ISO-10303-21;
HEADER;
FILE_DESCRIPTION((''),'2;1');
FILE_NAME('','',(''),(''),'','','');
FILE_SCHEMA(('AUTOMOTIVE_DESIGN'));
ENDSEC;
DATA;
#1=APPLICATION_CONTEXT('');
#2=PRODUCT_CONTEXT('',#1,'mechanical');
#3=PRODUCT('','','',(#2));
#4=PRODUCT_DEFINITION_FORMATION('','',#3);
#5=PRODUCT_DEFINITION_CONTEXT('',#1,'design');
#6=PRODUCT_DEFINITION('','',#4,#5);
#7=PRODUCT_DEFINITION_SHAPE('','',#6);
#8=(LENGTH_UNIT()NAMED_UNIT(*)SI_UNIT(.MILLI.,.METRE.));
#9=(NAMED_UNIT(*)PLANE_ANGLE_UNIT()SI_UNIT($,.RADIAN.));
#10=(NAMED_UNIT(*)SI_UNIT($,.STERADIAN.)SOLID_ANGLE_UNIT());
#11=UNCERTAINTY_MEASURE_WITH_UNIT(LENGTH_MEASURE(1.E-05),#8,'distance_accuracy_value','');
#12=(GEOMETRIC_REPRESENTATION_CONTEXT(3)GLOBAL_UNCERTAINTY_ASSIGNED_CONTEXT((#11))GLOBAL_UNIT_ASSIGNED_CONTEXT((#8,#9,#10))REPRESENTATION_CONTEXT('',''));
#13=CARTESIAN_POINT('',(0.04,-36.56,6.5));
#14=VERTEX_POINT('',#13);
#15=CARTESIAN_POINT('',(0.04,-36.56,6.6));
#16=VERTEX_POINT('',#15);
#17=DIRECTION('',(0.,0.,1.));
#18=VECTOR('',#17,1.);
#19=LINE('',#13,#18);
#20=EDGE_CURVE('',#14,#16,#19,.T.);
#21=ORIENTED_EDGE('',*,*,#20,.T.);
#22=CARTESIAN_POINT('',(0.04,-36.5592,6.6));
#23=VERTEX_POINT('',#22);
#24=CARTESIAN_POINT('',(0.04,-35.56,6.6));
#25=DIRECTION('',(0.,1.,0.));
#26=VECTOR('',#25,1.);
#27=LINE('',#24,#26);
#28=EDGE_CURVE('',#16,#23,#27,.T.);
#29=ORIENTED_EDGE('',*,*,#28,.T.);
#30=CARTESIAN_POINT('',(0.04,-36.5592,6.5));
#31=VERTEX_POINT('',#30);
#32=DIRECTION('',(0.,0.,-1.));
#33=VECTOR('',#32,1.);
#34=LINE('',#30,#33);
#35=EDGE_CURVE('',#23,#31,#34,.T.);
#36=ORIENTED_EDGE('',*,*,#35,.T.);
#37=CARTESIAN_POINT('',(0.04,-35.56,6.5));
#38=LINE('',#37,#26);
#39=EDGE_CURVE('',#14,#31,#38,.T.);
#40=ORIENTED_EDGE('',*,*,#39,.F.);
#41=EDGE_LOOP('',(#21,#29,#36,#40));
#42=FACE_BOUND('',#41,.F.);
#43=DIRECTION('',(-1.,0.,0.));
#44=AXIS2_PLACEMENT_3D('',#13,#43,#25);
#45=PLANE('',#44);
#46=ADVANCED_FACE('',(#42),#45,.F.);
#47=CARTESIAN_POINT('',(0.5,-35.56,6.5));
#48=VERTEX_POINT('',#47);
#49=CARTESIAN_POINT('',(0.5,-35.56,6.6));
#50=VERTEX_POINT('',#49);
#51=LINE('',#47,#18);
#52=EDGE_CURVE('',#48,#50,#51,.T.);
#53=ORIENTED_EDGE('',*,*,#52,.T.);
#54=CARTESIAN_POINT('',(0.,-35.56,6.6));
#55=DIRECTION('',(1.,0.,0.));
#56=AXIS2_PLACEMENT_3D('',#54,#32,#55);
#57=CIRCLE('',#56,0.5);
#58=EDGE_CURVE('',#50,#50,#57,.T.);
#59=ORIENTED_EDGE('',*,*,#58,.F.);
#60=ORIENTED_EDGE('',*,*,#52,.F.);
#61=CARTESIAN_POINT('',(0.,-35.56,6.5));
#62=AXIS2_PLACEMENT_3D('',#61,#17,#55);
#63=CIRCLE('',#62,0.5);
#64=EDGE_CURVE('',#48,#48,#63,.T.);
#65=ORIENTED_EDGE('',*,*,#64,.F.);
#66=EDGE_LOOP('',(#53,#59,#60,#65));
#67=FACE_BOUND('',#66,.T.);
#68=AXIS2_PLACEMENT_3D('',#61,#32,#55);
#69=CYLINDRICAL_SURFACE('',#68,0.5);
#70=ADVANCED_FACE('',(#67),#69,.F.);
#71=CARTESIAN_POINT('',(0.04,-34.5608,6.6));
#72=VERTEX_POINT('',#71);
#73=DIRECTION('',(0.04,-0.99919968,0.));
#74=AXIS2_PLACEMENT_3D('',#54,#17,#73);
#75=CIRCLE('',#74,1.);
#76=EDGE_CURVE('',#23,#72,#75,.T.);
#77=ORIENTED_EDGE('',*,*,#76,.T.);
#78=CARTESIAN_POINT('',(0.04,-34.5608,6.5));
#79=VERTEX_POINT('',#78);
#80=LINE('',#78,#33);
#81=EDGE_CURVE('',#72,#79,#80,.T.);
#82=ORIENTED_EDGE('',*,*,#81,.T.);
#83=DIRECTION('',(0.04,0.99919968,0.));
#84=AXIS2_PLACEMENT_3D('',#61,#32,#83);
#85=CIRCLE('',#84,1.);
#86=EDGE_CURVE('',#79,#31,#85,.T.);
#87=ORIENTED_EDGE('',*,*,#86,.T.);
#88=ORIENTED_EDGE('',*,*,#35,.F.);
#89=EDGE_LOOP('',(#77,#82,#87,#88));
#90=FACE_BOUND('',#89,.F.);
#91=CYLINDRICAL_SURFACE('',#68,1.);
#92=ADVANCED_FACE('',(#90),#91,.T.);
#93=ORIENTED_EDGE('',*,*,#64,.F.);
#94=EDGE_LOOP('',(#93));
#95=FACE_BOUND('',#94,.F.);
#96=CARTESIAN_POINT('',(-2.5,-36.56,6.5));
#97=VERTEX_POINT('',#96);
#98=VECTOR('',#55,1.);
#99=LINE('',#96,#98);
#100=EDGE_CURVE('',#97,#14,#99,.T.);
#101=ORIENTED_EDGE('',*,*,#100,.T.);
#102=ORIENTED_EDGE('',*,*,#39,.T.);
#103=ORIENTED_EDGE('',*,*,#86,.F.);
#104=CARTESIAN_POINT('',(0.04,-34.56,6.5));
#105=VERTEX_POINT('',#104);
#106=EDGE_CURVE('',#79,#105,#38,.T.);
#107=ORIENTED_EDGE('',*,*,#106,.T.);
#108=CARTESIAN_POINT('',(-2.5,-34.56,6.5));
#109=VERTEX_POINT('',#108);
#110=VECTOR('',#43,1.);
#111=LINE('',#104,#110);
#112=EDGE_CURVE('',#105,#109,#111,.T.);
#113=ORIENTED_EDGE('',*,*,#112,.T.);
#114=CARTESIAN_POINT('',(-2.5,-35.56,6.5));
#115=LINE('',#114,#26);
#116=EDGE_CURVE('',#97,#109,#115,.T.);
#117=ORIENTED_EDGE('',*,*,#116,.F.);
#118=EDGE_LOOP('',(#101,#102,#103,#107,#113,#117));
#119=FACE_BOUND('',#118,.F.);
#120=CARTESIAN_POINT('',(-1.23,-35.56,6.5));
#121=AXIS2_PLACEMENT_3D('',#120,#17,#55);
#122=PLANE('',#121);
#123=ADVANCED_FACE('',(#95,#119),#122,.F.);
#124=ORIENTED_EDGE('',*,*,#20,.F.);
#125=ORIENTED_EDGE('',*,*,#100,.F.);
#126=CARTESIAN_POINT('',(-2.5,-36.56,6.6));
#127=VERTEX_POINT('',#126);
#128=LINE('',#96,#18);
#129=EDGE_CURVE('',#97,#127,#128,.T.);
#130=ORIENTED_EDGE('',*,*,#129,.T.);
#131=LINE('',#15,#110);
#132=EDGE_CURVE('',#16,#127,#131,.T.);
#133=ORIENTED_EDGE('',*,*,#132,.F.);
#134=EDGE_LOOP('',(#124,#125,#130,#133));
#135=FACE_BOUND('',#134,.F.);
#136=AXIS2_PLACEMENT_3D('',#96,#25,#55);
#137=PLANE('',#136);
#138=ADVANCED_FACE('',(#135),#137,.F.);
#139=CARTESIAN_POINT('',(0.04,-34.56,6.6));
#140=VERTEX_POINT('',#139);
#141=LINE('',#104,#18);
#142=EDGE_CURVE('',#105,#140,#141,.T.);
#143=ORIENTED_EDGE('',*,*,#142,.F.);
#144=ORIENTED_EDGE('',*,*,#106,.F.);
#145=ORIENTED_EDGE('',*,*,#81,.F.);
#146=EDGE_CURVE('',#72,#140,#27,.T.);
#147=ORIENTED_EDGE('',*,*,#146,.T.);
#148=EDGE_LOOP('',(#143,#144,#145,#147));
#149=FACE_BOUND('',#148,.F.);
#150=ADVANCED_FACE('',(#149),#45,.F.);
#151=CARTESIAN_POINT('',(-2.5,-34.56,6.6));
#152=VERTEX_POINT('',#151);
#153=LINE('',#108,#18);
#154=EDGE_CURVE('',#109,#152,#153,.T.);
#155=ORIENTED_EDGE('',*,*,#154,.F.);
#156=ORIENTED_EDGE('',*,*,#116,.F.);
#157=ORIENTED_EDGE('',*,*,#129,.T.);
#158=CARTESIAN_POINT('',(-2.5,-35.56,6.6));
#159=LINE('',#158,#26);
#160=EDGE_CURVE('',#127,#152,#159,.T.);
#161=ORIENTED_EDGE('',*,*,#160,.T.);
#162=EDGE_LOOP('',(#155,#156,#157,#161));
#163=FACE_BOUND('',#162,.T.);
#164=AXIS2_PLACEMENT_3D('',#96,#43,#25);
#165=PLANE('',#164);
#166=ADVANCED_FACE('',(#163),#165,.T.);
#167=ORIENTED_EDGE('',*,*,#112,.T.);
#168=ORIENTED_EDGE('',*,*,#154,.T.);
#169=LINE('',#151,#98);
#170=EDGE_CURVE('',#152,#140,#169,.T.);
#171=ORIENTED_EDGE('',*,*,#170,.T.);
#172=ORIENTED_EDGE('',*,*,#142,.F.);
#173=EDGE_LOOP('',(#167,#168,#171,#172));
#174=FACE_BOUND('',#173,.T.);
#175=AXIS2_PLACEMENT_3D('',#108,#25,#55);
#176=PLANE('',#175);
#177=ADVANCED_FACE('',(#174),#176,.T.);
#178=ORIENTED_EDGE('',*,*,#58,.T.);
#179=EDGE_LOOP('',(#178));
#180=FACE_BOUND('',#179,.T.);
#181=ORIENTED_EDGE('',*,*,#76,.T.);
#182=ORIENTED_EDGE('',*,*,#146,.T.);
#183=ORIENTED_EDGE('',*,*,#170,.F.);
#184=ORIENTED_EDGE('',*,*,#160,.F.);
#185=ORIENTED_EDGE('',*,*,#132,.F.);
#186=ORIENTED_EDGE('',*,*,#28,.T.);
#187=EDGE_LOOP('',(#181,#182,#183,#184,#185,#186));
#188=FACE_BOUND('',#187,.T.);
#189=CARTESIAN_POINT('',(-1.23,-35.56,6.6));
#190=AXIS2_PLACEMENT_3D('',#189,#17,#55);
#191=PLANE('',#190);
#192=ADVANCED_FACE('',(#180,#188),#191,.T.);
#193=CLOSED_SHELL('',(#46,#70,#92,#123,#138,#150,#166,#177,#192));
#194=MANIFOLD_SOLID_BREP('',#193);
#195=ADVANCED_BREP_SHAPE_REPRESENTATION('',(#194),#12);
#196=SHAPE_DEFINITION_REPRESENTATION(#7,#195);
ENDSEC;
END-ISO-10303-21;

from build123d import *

# Parameters (mm, degrees)
CYLINDER044_R     = 0.5
CYLINDER044_DEPTH = 0.1
BOX017_W          = 2.54
BOX017_H          = 2
BOX017_DEPTH      = 0.1
CYLINDER043_R     = 0.5
CYLINDER043_DEPTH = 0.1
CYLINDER042_R     = 1
CYLINDER042_DEPTH = 0.1


with BuildPart() as cylinder044:
    # Cylinder044 → Cylinder044 (new body)
    with BuildSketch(Plane.XY.offset(1)):
        Circle(CYLINDER044_R)
    extrude(amount=CYLINDER044_DEPTH)


with BuildPart() as cut030:
    # Box017 → Box017 (new body)
    with BuildSketch(Plane(origin=(-2.5, -1, 1), x_dir=(1, 0, 0), z_dir=(0, 0, 1))):
        with Locations((1.27, 1)):
            Rectangle(BOX017_W, BOX017_H)
    extrude(amount=BOX017_DEPTH)

    # Cut030: cut Cylinder044
    add(cylinder044.part, mode=Mode.SUBTRACT)


with BuildPart() as cylinder043:
    # Cylinder043 → Cylinder043 (new body)
    with BuildSketch(Plane.XY.offset(1)):
        Circle(CYLINDER043_R)
    extrude(amount=CYLINDER043_DEPTH)


with BuildPart() as fusion014:
    # Cylinder042 → Cylinder042 (new body)
    with BuildSketch(Plane.XY.offset(1)):
        Circle(CYLINDER042_R)
    extrude(amount=CYLINDER042_DEPTH)

    # Cut029: cut Cylinder043
    add(cylinder043.part, mode=Mode.SUBTRACT)

    # Fusion014: union Cut030
    add(cut030.part)


with BuildPart() as fusion014_1:
    # Fusion014 placement: moved
    add(fusion014.part.moved(Location((0, -35.56, 5.5))))


solid = fusion014_1.part
